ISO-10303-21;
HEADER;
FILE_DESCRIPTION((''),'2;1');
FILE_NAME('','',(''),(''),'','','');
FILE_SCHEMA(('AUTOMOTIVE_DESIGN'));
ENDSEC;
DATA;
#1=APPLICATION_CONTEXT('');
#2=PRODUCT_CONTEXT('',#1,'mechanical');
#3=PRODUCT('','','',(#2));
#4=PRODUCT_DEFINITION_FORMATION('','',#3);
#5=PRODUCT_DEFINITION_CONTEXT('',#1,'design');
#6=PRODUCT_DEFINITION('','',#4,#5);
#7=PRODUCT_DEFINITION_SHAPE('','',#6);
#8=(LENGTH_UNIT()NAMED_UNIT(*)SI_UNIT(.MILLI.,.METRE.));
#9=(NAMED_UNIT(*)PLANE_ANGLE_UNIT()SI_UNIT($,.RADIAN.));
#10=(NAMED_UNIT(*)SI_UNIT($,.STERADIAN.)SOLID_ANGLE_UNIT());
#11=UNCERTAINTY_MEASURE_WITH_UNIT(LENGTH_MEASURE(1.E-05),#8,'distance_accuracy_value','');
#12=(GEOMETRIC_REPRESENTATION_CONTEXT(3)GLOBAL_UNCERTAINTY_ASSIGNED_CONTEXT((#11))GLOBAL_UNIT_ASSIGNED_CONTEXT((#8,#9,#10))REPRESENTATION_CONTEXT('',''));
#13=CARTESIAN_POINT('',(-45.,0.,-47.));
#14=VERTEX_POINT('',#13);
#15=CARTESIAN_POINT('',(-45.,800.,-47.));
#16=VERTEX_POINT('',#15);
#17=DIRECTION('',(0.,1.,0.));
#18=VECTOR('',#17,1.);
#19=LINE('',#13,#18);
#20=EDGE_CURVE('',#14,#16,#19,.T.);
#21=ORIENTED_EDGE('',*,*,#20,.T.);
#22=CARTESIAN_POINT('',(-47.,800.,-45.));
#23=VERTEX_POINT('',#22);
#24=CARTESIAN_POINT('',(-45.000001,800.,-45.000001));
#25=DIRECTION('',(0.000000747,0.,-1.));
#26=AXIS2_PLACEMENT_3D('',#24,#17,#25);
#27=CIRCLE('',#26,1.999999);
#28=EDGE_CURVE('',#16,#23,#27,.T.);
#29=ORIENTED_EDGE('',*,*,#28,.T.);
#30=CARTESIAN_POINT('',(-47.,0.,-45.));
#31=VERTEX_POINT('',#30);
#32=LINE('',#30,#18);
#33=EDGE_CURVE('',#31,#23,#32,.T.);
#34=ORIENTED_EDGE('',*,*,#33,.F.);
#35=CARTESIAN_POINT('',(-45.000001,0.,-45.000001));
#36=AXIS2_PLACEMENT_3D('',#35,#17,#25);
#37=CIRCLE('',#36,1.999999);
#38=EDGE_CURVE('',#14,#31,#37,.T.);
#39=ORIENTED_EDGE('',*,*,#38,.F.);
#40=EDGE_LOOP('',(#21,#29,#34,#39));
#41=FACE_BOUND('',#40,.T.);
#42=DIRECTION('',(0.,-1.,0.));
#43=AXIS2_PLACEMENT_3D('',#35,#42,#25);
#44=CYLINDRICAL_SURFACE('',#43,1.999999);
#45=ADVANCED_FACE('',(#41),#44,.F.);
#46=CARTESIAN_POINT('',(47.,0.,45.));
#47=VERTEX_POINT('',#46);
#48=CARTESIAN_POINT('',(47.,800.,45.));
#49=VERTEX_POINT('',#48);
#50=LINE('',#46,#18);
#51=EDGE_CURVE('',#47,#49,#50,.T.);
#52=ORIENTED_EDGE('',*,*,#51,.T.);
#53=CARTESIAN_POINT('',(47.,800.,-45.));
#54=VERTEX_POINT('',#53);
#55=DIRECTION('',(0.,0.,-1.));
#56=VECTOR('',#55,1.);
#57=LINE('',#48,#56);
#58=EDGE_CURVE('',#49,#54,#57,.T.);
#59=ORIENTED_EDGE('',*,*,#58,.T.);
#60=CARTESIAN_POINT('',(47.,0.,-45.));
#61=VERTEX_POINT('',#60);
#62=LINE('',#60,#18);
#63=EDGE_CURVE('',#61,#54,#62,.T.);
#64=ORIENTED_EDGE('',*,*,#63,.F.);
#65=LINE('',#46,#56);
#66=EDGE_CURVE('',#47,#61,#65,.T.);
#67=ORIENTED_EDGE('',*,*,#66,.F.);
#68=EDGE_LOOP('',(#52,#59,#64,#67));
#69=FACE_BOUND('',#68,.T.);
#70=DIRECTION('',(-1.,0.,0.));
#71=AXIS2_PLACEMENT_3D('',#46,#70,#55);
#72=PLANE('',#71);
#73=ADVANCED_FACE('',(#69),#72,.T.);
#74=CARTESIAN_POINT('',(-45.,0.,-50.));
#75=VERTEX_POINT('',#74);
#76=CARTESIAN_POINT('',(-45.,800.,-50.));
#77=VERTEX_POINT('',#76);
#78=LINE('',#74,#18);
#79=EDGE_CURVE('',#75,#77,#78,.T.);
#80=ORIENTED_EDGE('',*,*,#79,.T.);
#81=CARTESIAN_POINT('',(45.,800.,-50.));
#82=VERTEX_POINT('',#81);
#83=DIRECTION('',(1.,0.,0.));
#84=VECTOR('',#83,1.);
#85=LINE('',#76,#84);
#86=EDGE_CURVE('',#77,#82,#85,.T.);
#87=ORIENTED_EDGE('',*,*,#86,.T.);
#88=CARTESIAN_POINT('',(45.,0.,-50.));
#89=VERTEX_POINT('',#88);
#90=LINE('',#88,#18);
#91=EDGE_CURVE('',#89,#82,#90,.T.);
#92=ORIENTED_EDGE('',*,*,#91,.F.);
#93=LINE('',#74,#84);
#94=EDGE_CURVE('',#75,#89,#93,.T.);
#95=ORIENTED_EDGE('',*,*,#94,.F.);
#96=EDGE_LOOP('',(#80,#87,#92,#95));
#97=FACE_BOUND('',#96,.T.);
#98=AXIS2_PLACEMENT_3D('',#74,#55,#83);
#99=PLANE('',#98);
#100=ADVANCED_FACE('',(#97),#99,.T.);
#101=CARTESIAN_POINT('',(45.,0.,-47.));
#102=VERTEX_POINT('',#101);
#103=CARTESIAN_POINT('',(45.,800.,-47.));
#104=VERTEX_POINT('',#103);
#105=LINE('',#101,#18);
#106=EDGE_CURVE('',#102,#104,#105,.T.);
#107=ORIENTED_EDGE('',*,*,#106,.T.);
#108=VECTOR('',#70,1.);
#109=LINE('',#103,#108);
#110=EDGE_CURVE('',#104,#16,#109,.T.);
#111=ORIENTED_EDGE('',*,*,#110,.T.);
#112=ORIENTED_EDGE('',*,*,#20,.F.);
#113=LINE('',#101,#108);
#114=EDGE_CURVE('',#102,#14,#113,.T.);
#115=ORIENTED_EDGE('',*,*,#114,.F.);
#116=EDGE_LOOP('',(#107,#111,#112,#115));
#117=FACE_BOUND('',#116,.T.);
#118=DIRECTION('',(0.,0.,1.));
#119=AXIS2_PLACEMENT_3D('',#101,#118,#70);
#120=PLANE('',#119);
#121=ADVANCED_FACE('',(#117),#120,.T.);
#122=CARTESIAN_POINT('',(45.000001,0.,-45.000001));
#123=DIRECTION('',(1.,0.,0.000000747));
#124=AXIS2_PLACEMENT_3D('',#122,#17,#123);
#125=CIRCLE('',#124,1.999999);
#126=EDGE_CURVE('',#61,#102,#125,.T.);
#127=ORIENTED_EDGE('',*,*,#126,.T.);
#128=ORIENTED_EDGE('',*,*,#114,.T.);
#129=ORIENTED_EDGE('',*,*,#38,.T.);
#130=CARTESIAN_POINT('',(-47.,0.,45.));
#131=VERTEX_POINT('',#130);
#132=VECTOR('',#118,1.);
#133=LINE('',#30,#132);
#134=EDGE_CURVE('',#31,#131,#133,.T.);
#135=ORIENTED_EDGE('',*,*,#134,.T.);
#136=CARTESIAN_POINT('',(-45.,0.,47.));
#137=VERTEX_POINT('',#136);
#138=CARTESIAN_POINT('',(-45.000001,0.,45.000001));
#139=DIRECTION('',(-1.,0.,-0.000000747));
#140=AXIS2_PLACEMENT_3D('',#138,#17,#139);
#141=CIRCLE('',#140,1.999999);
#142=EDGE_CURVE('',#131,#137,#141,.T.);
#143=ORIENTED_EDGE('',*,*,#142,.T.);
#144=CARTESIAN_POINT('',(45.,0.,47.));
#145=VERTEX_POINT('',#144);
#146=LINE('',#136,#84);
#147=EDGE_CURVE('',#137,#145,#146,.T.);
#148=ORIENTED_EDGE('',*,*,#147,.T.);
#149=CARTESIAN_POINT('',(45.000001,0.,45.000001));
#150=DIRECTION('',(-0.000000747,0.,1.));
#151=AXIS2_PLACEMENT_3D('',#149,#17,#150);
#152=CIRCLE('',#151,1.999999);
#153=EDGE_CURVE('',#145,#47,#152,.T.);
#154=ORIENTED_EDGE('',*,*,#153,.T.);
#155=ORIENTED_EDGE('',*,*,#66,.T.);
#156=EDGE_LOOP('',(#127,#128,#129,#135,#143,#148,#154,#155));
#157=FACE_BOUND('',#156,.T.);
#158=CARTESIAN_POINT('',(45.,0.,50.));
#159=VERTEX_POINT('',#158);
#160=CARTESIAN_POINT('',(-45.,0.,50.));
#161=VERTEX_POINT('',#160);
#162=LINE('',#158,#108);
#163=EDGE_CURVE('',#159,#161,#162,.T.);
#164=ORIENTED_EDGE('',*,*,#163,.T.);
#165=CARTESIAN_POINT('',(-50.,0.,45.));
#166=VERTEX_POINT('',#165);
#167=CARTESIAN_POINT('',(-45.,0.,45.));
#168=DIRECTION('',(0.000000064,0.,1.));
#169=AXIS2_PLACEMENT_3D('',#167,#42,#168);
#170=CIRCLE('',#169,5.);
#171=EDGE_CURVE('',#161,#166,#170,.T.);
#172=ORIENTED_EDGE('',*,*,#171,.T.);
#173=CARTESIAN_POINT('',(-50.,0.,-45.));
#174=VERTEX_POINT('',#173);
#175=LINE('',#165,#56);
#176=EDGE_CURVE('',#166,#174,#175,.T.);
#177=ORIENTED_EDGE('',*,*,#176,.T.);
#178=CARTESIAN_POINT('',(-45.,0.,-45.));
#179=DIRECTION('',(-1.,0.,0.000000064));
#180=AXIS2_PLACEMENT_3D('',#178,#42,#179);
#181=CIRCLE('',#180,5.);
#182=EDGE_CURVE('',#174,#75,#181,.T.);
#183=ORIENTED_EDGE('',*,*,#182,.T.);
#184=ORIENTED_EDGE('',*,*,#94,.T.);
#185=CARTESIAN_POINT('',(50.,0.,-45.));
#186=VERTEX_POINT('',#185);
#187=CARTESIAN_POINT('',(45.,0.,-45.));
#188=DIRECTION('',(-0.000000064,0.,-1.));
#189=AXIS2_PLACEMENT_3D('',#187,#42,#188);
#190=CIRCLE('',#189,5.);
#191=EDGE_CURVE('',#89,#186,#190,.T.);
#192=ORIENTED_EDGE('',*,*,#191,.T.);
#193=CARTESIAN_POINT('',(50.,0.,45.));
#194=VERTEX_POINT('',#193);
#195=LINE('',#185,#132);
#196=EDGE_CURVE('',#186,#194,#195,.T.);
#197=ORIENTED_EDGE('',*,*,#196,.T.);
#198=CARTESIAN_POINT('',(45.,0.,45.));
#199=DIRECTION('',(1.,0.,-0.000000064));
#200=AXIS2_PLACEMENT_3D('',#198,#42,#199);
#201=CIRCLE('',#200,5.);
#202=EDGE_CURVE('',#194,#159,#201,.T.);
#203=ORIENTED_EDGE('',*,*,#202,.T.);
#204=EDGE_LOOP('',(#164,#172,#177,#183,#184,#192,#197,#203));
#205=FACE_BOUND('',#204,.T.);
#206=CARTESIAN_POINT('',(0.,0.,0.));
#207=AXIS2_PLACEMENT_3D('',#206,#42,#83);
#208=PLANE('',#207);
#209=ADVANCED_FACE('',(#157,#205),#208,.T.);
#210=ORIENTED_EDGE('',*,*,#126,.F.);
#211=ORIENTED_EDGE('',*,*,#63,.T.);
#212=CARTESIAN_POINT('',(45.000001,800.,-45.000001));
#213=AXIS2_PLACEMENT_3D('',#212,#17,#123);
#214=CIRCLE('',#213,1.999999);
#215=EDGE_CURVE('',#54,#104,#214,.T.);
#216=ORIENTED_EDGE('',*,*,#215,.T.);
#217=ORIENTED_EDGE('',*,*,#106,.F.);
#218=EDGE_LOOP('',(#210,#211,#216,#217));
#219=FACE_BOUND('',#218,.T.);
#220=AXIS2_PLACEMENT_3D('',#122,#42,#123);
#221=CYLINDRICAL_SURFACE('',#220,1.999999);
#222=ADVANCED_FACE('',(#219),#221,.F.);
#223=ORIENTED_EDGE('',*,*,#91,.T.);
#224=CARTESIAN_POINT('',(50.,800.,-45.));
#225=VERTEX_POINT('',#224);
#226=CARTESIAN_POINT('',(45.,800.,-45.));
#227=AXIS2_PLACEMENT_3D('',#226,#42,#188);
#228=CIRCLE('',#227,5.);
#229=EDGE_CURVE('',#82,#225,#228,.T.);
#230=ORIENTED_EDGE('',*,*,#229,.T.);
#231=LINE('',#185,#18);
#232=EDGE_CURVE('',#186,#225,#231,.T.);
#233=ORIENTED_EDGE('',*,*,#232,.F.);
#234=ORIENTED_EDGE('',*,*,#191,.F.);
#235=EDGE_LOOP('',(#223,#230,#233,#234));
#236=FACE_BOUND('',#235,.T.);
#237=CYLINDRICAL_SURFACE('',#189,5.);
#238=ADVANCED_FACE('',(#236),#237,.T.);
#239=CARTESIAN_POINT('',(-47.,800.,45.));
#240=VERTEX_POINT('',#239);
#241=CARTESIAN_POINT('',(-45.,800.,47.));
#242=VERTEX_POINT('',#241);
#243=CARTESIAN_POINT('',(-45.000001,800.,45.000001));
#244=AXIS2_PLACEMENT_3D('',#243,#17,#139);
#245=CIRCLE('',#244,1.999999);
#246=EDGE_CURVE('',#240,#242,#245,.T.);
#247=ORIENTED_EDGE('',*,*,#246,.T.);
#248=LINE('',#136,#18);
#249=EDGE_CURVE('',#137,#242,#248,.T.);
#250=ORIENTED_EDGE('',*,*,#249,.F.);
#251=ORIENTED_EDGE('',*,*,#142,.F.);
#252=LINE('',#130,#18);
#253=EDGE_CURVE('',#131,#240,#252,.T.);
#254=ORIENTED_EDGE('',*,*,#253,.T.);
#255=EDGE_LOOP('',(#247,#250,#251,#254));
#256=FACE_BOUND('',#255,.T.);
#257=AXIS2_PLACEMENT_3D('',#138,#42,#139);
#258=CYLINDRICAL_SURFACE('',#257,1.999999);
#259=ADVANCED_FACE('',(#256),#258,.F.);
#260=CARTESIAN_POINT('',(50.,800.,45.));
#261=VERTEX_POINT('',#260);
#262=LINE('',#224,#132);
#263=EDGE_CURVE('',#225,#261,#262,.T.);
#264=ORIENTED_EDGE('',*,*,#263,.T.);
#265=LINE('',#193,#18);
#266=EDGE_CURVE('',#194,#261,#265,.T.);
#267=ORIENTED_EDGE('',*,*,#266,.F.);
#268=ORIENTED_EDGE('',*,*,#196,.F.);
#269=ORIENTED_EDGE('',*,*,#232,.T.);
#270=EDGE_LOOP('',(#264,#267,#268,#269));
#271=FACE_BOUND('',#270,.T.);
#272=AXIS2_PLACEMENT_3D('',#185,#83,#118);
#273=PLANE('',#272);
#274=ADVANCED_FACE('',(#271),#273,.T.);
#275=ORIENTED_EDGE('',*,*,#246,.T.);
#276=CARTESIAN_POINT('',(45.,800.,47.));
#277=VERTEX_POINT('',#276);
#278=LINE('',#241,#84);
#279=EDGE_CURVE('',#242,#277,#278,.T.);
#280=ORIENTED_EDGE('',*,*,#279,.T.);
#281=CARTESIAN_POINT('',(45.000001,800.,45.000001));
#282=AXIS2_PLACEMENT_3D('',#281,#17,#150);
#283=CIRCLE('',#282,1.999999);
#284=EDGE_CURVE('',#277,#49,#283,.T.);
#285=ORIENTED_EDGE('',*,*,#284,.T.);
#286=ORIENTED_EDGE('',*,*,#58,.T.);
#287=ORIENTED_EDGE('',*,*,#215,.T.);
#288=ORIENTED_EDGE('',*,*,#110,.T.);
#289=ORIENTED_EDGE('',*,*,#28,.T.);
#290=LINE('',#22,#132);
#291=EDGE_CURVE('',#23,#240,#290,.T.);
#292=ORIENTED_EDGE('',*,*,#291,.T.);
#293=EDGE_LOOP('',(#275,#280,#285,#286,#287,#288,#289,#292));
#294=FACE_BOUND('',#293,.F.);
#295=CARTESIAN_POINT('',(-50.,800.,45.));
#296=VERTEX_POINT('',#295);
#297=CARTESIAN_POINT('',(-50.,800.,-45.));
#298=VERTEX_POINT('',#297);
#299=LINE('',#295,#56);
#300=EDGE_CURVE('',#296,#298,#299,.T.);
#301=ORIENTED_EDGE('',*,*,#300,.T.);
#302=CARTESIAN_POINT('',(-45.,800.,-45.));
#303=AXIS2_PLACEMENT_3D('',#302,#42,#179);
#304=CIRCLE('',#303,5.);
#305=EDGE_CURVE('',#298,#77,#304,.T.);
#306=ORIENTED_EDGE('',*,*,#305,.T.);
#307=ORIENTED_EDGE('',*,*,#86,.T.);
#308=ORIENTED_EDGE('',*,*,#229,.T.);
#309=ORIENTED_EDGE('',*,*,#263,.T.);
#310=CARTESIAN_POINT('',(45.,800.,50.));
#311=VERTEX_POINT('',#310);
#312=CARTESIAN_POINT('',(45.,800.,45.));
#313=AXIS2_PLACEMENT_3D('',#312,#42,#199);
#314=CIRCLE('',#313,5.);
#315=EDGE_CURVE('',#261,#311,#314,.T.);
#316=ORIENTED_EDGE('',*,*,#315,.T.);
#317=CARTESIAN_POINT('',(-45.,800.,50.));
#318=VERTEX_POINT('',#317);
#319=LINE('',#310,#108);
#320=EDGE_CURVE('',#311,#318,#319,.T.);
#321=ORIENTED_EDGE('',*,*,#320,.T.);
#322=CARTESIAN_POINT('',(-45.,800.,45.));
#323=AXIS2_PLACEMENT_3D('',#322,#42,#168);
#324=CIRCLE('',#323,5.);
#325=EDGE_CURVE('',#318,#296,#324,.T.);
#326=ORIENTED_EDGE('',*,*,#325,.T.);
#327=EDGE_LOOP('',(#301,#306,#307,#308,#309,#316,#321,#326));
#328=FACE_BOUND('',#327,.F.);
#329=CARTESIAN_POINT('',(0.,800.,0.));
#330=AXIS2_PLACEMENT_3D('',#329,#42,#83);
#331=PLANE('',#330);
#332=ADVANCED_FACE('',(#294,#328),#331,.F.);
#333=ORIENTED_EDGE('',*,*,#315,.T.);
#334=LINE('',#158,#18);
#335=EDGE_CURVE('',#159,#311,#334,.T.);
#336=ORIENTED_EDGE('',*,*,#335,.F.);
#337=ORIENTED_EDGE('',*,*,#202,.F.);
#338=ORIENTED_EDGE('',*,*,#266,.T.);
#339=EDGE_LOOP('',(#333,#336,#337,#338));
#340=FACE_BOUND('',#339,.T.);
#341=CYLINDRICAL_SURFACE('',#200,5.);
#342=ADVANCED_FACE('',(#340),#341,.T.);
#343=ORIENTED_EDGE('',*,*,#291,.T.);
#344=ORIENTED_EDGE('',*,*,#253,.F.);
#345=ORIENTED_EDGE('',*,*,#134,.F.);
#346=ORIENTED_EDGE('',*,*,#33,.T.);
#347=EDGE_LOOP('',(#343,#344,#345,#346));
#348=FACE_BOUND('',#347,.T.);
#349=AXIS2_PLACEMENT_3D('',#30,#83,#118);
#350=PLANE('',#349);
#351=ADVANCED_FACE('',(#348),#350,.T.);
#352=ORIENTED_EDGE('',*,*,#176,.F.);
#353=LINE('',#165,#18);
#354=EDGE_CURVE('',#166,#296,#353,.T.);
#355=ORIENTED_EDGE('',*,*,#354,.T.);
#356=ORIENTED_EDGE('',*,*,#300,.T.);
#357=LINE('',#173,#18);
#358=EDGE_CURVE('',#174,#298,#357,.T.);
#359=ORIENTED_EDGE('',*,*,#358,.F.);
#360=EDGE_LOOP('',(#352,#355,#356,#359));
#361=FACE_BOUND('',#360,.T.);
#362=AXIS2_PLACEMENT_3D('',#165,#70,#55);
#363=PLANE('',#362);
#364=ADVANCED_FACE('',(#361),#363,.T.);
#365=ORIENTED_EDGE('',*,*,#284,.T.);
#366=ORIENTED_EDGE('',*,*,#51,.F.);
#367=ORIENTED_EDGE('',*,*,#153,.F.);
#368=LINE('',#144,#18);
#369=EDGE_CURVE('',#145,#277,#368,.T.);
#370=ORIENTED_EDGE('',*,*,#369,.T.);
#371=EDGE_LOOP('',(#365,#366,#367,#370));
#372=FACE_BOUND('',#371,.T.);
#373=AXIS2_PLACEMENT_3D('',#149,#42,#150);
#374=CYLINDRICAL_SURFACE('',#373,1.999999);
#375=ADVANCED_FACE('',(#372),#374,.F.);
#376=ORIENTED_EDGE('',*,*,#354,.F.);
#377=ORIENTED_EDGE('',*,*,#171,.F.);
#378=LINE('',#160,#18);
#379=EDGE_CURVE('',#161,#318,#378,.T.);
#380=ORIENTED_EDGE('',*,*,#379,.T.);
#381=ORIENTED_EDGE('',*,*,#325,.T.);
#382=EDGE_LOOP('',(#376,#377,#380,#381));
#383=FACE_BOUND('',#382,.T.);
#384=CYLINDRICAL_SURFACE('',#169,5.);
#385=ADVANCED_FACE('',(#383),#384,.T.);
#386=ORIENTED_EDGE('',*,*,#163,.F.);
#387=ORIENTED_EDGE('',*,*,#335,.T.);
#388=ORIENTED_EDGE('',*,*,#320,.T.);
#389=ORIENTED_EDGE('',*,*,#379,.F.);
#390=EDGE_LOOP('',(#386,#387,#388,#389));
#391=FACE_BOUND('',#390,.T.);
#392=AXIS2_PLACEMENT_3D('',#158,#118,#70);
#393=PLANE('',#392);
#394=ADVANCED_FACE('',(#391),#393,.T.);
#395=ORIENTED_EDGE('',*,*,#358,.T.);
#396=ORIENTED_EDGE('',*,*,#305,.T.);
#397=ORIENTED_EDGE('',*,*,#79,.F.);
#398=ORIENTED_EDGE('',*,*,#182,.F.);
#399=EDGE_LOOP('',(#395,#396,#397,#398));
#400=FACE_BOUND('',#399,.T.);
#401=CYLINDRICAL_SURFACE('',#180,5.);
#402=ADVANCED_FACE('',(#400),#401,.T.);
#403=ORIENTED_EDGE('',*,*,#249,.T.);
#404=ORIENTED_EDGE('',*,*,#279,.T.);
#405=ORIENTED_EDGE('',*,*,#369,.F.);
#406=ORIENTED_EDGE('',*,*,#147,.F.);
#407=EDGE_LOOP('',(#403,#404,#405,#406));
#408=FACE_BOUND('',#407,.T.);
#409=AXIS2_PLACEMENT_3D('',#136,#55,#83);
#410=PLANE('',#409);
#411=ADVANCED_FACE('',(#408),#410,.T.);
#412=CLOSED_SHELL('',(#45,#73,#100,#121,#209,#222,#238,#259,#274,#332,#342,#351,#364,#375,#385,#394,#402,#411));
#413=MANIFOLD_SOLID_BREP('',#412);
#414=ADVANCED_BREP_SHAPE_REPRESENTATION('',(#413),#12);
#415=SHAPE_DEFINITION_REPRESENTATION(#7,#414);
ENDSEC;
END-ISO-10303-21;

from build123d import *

# Parameters (mm, degrees)
F1_DEPTH = 800


with BuildPart() as f1:
    # F0 (on Front) → F1 (new body)
    with BuildSketch(Plane.XZ):
        with BuildLine():
            ThreePointArc((50, 45), (48.535534, 48.535534), (45, 50))
            Line((45, 50), (-45, 50))
            ThreePointArc((-45, 50), (-48.535534, 48.535534), (-50, 45))
            Line((-50, 45), (-50, -45))
            ThreePointArc((-50, -45), (-48.535534, -48.535534), (-45, -50))
            Line((-45, -50), (45, -50))
            ThreePointArc((45, -50), (48.535534, -48.535534), (50, -45))
            Line((50, -45), (50, 45))
        make_face()
        with BuildLine():
            ThreePointArc((-47, 45), (-46.414214, 46.414214), (-45, 47))
            Line((-45, 47), (45, 47))
            ThreePointArc((45, 47), (46.414214, 46.414214), (47, 45))
            Line((47, 45), (47, -45))
            ThreePointArc((47, -45), (46.414214, -46.414214), (45, -47))
            Line((45, -47), (-45, -47))
            ThreePointArc((-45, -47), (-46.414214, -46.414214), (-47, -45))
            Line((-47, -45), (-47, 45))
        make_face(mode=Mode.SUBTRACT)
    extrude(amount=-F1_DEPTH)


solid = f1.part
